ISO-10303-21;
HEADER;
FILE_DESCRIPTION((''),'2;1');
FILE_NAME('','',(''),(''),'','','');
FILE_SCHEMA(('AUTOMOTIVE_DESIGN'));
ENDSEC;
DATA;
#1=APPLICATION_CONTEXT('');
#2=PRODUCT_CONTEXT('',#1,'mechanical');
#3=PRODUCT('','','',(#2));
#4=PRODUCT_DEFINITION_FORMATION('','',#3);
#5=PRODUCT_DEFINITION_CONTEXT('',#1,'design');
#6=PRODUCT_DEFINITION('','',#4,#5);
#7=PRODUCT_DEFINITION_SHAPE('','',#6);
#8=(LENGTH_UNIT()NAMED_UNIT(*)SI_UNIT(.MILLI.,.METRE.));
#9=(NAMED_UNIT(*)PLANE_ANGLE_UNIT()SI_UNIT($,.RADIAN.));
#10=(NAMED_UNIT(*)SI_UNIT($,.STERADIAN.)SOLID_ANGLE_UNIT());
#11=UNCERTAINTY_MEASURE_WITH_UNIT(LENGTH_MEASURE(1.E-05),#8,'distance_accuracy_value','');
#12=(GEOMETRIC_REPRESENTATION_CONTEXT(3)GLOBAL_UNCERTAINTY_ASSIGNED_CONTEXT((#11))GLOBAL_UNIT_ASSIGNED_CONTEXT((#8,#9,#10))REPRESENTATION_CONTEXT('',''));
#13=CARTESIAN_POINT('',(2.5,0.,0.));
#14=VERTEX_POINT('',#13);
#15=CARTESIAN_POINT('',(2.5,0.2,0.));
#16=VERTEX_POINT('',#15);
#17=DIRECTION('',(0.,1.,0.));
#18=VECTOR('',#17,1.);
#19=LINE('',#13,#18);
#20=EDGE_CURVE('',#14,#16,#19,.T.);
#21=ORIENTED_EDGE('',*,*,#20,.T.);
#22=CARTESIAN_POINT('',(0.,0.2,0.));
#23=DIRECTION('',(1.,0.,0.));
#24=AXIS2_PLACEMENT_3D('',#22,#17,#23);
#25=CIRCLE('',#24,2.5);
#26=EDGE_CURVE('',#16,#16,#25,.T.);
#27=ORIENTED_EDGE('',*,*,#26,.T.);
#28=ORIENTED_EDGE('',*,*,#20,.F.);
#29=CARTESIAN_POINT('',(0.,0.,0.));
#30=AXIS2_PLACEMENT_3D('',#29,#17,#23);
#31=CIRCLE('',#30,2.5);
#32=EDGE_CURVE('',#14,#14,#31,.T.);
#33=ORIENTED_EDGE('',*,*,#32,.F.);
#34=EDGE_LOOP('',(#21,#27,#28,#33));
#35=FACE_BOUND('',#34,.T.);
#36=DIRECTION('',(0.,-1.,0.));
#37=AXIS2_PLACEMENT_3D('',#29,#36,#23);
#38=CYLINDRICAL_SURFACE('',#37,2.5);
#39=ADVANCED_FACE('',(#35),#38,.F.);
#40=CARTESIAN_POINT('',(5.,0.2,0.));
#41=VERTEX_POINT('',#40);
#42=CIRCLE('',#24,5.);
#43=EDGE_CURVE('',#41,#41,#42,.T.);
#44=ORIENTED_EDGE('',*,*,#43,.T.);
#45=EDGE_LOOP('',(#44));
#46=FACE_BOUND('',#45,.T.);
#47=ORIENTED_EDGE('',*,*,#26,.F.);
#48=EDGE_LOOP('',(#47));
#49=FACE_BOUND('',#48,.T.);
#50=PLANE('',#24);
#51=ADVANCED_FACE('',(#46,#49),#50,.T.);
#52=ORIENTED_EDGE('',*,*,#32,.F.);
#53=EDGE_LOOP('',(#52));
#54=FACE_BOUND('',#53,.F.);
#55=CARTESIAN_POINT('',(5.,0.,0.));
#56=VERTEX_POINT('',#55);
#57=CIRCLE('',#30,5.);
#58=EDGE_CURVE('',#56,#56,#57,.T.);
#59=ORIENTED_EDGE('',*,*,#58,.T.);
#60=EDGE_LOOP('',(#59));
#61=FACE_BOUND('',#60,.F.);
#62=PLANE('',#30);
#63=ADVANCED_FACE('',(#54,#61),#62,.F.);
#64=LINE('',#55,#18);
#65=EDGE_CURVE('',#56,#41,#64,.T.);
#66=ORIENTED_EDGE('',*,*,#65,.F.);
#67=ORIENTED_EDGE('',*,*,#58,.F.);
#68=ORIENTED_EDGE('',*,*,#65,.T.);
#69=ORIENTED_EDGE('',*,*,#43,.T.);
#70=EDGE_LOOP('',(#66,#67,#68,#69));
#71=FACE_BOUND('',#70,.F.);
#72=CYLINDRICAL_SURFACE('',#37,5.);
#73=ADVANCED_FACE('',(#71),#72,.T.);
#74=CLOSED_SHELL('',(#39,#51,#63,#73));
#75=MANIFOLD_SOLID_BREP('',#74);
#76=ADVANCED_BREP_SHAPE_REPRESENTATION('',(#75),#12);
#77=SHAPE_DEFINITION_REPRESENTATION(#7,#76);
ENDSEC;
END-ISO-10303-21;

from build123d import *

# Parameters (mm, degrees)
SKETCH1_R           = 5
SKETCH1_R_2         = 2.5
BOSS_EXTRUDE1_DEPTH = 0.2


with BuildPart() as part:
    # Sketch1 → Boss-Extrude1 (new body)
    with BuildSketch(Plane(origin=(0, 0, 0), x_dir=(1, 0, 0), z_dir=(0, 1, 0))):
        Circle(SKETCH1_R)
        Circle(SKETCH1_R_2, mode=Mode.SUBTRACT)
    extrude(amount=BOSS_EXTRUDE1_DEPTH)


solid = part.part
